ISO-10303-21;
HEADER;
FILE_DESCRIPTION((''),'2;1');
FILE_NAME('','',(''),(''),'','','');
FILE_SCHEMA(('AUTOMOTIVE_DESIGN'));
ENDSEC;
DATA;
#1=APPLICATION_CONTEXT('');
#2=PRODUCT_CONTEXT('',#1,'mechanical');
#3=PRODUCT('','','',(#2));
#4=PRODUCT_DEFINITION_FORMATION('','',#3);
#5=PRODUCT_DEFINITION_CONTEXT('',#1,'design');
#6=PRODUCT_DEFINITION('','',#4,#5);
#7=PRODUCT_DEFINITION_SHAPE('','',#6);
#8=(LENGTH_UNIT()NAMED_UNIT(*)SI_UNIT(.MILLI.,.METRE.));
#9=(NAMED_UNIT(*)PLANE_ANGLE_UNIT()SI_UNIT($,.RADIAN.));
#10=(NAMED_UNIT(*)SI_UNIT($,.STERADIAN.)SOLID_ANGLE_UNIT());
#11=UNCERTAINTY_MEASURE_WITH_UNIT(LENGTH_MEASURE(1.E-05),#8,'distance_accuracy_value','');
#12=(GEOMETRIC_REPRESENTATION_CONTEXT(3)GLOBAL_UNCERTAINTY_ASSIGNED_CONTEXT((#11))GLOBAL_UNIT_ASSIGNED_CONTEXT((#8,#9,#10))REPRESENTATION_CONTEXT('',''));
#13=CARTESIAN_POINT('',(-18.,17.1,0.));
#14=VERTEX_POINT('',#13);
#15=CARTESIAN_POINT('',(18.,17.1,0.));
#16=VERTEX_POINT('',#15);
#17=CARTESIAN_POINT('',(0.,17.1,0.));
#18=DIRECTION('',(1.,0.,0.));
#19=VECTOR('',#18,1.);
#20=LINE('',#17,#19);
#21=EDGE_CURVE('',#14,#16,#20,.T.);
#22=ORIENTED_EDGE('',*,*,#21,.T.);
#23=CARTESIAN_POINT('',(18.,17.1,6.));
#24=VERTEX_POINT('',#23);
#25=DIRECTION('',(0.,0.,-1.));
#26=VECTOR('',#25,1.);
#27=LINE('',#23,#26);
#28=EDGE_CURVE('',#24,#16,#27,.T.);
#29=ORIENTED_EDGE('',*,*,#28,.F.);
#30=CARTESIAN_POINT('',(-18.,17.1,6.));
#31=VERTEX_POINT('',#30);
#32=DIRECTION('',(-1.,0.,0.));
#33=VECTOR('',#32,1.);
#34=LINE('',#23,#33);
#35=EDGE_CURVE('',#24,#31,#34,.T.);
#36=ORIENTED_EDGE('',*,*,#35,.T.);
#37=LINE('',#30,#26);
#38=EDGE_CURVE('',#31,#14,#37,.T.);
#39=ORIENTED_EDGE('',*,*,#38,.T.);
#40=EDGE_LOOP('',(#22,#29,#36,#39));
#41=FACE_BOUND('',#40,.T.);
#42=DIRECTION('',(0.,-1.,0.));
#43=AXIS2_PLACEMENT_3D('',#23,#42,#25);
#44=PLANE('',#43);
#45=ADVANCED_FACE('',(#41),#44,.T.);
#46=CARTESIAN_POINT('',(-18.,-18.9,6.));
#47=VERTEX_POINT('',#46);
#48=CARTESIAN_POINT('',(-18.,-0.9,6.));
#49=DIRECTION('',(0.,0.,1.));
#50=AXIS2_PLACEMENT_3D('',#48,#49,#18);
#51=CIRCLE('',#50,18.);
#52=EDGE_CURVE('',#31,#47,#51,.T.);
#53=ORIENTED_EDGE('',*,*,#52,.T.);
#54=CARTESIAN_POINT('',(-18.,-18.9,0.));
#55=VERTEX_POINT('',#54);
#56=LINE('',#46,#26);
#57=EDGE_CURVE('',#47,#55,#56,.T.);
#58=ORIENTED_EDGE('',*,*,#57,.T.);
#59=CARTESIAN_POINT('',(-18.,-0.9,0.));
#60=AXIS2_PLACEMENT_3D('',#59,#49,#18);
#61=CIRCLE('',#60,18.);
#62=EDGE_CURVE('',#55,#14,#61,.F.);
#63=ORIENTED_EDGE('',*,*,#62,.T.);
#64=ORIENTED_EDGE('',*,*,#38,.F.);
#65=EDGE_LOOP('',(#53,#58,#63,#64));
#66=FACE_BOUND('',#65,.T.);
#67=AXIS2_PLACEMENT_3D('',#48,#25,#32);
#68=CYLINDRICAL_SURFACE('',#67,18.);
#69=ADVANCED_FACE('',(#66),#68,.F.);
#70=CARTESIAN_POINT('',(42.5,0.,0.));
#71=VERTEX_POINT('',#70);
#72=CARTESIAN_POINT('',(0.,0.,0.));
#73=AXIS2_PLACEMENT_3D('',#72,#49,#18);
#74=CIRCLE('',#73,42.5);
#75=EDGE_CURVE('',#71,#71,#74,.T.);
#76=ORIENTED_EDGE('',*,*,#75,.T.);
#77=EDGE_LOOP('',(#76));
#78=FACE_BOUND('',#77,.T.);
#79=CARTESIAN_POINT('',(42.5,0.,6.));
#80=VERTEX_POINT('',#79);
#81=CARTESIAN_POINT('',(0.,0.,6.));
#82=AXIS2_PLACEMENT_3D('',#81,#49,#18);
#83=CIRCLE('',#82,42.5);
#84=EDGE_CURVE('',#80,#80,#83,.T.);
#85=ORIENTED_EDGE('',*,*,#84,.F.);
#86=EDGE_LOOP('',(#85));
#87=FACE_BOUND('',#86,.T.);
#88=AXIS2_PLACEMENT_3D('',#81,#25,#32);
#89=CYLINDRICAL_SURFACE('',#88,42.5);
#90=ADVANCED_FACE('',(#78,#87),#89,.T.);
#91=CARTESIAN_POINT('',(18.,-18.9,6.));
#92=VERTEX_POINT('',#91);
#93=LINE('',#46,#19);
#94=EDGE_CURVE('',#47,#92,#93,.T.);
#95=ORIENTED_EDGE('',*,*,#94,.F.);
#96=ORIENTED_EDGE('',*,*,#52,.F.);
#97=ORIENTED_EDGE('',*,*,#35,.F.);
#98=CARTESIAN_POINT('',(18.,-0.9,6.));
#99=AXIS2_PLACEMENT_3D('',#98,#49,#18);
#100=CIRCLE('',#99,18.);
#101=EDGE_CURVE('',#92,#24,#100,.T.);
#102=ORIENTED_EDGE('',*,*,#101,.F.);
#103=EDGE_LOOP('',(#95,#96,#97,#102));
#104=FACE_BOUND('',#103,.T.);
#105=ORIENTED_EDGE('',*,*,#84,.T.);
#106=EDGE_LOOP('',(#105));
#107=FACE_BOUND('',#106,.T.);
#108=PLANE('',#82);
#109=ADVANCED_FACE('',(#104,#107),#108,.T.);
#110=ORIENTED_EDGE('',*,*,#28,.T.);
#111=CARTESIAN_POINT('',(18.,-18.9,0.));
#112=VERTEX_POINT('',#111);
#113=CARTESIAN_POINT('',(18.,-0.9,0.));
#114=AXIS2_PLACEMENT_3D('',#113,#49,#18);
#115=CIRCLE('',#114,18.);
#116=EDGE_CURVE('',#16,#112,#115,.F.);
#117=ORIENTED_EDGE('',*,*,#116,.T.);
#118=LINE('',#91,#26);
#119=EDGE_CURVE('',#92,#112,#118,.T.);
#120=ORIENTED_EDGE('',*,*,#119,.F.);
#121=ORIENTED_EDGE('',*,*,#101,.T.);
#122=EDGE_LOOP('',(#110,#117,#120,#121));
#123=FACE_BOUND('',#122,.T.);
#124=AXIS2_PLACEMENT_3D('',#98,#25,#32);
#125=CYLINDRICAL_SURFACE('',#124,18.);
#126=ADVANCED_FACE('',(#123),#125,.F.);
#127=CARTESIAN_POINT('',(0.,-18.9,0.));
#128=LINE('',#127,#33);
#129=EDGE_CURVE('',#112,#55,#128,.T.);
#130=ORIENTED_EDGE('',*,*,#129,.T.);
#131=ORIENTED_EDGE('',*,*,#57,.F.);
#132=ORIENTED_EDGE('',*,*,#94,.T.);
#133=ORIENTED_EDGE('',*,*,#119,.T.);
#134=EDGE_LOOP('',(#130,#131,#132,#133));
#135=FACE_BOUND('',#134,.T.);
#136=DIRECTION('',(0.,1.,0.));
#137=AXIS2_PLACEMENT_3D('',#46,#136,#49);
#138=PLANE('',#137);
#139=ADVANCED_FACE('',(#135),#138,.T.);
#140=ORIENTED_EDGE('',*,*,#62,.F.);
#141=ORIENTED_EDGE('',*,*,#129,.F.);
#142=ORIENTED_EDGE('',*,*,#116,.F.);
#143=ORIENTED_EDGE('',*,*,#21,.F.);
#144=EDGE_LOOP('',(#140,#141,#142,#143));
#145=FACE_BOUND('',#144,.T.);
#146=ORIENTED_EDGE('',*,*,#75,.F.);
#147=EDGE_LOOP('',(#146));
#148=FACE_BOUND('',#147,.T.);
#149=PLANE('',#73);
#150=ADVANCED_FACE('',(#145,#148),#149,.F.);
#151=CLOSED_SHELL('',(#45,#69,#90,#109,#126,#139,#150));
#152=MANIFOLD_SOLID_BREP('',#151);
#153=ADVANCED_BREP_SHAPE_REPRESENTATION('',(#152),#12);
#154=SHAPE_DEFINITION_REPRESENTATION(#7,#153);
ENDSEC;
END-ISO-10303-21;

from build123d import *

# Parameters (mm, degrees)
ESQUISSE1_R                  = 42.5
BOSS_EXTRU_1_DEPTH           = 6
ENL_V_MAT_EXTRU_6_DEPTH      = 61.402814504
ENL_V_MAT_EXTRU_6_DEPTH_BACK = 6


with BuildPart() as part:
    # Esquisse1 → Boss.-Extru.1 (new body)
    with BuildSketch(Plane.XY):
        Circle(ESQUISSE1_R)
    extrude(amount=BOSS_EXTRU_1_DEPTH)

    # Esquisse3 → Enlèv. mat.-Extru.6 (cut, two sides: drawn at the far end of the back side and taken through both)
    with BuildSketch(Plane.XY.offset(-ENL_V_MAT_EXTRU_6_DEPTH_BACK)):
        with BuildLine():
            Line((-18, -18.9), (18, -18.9))
            ThreePointArc((18, -18.9), (36, -0.9), (18, 17.1))
            Line((18, 17.1), (-18, 17.1))
            ThreePointArc((-18, 17.1), (-36, -0.9), (-18, -18.9))
        make_face()
    extrude(amount=ENL_V_MAT_EXTRU_6_DEPTH + ENL_V_MAT_EXTRU_6_DEPTH_BACK, mode=Mode.SUBTRACT)


solid = part.part
